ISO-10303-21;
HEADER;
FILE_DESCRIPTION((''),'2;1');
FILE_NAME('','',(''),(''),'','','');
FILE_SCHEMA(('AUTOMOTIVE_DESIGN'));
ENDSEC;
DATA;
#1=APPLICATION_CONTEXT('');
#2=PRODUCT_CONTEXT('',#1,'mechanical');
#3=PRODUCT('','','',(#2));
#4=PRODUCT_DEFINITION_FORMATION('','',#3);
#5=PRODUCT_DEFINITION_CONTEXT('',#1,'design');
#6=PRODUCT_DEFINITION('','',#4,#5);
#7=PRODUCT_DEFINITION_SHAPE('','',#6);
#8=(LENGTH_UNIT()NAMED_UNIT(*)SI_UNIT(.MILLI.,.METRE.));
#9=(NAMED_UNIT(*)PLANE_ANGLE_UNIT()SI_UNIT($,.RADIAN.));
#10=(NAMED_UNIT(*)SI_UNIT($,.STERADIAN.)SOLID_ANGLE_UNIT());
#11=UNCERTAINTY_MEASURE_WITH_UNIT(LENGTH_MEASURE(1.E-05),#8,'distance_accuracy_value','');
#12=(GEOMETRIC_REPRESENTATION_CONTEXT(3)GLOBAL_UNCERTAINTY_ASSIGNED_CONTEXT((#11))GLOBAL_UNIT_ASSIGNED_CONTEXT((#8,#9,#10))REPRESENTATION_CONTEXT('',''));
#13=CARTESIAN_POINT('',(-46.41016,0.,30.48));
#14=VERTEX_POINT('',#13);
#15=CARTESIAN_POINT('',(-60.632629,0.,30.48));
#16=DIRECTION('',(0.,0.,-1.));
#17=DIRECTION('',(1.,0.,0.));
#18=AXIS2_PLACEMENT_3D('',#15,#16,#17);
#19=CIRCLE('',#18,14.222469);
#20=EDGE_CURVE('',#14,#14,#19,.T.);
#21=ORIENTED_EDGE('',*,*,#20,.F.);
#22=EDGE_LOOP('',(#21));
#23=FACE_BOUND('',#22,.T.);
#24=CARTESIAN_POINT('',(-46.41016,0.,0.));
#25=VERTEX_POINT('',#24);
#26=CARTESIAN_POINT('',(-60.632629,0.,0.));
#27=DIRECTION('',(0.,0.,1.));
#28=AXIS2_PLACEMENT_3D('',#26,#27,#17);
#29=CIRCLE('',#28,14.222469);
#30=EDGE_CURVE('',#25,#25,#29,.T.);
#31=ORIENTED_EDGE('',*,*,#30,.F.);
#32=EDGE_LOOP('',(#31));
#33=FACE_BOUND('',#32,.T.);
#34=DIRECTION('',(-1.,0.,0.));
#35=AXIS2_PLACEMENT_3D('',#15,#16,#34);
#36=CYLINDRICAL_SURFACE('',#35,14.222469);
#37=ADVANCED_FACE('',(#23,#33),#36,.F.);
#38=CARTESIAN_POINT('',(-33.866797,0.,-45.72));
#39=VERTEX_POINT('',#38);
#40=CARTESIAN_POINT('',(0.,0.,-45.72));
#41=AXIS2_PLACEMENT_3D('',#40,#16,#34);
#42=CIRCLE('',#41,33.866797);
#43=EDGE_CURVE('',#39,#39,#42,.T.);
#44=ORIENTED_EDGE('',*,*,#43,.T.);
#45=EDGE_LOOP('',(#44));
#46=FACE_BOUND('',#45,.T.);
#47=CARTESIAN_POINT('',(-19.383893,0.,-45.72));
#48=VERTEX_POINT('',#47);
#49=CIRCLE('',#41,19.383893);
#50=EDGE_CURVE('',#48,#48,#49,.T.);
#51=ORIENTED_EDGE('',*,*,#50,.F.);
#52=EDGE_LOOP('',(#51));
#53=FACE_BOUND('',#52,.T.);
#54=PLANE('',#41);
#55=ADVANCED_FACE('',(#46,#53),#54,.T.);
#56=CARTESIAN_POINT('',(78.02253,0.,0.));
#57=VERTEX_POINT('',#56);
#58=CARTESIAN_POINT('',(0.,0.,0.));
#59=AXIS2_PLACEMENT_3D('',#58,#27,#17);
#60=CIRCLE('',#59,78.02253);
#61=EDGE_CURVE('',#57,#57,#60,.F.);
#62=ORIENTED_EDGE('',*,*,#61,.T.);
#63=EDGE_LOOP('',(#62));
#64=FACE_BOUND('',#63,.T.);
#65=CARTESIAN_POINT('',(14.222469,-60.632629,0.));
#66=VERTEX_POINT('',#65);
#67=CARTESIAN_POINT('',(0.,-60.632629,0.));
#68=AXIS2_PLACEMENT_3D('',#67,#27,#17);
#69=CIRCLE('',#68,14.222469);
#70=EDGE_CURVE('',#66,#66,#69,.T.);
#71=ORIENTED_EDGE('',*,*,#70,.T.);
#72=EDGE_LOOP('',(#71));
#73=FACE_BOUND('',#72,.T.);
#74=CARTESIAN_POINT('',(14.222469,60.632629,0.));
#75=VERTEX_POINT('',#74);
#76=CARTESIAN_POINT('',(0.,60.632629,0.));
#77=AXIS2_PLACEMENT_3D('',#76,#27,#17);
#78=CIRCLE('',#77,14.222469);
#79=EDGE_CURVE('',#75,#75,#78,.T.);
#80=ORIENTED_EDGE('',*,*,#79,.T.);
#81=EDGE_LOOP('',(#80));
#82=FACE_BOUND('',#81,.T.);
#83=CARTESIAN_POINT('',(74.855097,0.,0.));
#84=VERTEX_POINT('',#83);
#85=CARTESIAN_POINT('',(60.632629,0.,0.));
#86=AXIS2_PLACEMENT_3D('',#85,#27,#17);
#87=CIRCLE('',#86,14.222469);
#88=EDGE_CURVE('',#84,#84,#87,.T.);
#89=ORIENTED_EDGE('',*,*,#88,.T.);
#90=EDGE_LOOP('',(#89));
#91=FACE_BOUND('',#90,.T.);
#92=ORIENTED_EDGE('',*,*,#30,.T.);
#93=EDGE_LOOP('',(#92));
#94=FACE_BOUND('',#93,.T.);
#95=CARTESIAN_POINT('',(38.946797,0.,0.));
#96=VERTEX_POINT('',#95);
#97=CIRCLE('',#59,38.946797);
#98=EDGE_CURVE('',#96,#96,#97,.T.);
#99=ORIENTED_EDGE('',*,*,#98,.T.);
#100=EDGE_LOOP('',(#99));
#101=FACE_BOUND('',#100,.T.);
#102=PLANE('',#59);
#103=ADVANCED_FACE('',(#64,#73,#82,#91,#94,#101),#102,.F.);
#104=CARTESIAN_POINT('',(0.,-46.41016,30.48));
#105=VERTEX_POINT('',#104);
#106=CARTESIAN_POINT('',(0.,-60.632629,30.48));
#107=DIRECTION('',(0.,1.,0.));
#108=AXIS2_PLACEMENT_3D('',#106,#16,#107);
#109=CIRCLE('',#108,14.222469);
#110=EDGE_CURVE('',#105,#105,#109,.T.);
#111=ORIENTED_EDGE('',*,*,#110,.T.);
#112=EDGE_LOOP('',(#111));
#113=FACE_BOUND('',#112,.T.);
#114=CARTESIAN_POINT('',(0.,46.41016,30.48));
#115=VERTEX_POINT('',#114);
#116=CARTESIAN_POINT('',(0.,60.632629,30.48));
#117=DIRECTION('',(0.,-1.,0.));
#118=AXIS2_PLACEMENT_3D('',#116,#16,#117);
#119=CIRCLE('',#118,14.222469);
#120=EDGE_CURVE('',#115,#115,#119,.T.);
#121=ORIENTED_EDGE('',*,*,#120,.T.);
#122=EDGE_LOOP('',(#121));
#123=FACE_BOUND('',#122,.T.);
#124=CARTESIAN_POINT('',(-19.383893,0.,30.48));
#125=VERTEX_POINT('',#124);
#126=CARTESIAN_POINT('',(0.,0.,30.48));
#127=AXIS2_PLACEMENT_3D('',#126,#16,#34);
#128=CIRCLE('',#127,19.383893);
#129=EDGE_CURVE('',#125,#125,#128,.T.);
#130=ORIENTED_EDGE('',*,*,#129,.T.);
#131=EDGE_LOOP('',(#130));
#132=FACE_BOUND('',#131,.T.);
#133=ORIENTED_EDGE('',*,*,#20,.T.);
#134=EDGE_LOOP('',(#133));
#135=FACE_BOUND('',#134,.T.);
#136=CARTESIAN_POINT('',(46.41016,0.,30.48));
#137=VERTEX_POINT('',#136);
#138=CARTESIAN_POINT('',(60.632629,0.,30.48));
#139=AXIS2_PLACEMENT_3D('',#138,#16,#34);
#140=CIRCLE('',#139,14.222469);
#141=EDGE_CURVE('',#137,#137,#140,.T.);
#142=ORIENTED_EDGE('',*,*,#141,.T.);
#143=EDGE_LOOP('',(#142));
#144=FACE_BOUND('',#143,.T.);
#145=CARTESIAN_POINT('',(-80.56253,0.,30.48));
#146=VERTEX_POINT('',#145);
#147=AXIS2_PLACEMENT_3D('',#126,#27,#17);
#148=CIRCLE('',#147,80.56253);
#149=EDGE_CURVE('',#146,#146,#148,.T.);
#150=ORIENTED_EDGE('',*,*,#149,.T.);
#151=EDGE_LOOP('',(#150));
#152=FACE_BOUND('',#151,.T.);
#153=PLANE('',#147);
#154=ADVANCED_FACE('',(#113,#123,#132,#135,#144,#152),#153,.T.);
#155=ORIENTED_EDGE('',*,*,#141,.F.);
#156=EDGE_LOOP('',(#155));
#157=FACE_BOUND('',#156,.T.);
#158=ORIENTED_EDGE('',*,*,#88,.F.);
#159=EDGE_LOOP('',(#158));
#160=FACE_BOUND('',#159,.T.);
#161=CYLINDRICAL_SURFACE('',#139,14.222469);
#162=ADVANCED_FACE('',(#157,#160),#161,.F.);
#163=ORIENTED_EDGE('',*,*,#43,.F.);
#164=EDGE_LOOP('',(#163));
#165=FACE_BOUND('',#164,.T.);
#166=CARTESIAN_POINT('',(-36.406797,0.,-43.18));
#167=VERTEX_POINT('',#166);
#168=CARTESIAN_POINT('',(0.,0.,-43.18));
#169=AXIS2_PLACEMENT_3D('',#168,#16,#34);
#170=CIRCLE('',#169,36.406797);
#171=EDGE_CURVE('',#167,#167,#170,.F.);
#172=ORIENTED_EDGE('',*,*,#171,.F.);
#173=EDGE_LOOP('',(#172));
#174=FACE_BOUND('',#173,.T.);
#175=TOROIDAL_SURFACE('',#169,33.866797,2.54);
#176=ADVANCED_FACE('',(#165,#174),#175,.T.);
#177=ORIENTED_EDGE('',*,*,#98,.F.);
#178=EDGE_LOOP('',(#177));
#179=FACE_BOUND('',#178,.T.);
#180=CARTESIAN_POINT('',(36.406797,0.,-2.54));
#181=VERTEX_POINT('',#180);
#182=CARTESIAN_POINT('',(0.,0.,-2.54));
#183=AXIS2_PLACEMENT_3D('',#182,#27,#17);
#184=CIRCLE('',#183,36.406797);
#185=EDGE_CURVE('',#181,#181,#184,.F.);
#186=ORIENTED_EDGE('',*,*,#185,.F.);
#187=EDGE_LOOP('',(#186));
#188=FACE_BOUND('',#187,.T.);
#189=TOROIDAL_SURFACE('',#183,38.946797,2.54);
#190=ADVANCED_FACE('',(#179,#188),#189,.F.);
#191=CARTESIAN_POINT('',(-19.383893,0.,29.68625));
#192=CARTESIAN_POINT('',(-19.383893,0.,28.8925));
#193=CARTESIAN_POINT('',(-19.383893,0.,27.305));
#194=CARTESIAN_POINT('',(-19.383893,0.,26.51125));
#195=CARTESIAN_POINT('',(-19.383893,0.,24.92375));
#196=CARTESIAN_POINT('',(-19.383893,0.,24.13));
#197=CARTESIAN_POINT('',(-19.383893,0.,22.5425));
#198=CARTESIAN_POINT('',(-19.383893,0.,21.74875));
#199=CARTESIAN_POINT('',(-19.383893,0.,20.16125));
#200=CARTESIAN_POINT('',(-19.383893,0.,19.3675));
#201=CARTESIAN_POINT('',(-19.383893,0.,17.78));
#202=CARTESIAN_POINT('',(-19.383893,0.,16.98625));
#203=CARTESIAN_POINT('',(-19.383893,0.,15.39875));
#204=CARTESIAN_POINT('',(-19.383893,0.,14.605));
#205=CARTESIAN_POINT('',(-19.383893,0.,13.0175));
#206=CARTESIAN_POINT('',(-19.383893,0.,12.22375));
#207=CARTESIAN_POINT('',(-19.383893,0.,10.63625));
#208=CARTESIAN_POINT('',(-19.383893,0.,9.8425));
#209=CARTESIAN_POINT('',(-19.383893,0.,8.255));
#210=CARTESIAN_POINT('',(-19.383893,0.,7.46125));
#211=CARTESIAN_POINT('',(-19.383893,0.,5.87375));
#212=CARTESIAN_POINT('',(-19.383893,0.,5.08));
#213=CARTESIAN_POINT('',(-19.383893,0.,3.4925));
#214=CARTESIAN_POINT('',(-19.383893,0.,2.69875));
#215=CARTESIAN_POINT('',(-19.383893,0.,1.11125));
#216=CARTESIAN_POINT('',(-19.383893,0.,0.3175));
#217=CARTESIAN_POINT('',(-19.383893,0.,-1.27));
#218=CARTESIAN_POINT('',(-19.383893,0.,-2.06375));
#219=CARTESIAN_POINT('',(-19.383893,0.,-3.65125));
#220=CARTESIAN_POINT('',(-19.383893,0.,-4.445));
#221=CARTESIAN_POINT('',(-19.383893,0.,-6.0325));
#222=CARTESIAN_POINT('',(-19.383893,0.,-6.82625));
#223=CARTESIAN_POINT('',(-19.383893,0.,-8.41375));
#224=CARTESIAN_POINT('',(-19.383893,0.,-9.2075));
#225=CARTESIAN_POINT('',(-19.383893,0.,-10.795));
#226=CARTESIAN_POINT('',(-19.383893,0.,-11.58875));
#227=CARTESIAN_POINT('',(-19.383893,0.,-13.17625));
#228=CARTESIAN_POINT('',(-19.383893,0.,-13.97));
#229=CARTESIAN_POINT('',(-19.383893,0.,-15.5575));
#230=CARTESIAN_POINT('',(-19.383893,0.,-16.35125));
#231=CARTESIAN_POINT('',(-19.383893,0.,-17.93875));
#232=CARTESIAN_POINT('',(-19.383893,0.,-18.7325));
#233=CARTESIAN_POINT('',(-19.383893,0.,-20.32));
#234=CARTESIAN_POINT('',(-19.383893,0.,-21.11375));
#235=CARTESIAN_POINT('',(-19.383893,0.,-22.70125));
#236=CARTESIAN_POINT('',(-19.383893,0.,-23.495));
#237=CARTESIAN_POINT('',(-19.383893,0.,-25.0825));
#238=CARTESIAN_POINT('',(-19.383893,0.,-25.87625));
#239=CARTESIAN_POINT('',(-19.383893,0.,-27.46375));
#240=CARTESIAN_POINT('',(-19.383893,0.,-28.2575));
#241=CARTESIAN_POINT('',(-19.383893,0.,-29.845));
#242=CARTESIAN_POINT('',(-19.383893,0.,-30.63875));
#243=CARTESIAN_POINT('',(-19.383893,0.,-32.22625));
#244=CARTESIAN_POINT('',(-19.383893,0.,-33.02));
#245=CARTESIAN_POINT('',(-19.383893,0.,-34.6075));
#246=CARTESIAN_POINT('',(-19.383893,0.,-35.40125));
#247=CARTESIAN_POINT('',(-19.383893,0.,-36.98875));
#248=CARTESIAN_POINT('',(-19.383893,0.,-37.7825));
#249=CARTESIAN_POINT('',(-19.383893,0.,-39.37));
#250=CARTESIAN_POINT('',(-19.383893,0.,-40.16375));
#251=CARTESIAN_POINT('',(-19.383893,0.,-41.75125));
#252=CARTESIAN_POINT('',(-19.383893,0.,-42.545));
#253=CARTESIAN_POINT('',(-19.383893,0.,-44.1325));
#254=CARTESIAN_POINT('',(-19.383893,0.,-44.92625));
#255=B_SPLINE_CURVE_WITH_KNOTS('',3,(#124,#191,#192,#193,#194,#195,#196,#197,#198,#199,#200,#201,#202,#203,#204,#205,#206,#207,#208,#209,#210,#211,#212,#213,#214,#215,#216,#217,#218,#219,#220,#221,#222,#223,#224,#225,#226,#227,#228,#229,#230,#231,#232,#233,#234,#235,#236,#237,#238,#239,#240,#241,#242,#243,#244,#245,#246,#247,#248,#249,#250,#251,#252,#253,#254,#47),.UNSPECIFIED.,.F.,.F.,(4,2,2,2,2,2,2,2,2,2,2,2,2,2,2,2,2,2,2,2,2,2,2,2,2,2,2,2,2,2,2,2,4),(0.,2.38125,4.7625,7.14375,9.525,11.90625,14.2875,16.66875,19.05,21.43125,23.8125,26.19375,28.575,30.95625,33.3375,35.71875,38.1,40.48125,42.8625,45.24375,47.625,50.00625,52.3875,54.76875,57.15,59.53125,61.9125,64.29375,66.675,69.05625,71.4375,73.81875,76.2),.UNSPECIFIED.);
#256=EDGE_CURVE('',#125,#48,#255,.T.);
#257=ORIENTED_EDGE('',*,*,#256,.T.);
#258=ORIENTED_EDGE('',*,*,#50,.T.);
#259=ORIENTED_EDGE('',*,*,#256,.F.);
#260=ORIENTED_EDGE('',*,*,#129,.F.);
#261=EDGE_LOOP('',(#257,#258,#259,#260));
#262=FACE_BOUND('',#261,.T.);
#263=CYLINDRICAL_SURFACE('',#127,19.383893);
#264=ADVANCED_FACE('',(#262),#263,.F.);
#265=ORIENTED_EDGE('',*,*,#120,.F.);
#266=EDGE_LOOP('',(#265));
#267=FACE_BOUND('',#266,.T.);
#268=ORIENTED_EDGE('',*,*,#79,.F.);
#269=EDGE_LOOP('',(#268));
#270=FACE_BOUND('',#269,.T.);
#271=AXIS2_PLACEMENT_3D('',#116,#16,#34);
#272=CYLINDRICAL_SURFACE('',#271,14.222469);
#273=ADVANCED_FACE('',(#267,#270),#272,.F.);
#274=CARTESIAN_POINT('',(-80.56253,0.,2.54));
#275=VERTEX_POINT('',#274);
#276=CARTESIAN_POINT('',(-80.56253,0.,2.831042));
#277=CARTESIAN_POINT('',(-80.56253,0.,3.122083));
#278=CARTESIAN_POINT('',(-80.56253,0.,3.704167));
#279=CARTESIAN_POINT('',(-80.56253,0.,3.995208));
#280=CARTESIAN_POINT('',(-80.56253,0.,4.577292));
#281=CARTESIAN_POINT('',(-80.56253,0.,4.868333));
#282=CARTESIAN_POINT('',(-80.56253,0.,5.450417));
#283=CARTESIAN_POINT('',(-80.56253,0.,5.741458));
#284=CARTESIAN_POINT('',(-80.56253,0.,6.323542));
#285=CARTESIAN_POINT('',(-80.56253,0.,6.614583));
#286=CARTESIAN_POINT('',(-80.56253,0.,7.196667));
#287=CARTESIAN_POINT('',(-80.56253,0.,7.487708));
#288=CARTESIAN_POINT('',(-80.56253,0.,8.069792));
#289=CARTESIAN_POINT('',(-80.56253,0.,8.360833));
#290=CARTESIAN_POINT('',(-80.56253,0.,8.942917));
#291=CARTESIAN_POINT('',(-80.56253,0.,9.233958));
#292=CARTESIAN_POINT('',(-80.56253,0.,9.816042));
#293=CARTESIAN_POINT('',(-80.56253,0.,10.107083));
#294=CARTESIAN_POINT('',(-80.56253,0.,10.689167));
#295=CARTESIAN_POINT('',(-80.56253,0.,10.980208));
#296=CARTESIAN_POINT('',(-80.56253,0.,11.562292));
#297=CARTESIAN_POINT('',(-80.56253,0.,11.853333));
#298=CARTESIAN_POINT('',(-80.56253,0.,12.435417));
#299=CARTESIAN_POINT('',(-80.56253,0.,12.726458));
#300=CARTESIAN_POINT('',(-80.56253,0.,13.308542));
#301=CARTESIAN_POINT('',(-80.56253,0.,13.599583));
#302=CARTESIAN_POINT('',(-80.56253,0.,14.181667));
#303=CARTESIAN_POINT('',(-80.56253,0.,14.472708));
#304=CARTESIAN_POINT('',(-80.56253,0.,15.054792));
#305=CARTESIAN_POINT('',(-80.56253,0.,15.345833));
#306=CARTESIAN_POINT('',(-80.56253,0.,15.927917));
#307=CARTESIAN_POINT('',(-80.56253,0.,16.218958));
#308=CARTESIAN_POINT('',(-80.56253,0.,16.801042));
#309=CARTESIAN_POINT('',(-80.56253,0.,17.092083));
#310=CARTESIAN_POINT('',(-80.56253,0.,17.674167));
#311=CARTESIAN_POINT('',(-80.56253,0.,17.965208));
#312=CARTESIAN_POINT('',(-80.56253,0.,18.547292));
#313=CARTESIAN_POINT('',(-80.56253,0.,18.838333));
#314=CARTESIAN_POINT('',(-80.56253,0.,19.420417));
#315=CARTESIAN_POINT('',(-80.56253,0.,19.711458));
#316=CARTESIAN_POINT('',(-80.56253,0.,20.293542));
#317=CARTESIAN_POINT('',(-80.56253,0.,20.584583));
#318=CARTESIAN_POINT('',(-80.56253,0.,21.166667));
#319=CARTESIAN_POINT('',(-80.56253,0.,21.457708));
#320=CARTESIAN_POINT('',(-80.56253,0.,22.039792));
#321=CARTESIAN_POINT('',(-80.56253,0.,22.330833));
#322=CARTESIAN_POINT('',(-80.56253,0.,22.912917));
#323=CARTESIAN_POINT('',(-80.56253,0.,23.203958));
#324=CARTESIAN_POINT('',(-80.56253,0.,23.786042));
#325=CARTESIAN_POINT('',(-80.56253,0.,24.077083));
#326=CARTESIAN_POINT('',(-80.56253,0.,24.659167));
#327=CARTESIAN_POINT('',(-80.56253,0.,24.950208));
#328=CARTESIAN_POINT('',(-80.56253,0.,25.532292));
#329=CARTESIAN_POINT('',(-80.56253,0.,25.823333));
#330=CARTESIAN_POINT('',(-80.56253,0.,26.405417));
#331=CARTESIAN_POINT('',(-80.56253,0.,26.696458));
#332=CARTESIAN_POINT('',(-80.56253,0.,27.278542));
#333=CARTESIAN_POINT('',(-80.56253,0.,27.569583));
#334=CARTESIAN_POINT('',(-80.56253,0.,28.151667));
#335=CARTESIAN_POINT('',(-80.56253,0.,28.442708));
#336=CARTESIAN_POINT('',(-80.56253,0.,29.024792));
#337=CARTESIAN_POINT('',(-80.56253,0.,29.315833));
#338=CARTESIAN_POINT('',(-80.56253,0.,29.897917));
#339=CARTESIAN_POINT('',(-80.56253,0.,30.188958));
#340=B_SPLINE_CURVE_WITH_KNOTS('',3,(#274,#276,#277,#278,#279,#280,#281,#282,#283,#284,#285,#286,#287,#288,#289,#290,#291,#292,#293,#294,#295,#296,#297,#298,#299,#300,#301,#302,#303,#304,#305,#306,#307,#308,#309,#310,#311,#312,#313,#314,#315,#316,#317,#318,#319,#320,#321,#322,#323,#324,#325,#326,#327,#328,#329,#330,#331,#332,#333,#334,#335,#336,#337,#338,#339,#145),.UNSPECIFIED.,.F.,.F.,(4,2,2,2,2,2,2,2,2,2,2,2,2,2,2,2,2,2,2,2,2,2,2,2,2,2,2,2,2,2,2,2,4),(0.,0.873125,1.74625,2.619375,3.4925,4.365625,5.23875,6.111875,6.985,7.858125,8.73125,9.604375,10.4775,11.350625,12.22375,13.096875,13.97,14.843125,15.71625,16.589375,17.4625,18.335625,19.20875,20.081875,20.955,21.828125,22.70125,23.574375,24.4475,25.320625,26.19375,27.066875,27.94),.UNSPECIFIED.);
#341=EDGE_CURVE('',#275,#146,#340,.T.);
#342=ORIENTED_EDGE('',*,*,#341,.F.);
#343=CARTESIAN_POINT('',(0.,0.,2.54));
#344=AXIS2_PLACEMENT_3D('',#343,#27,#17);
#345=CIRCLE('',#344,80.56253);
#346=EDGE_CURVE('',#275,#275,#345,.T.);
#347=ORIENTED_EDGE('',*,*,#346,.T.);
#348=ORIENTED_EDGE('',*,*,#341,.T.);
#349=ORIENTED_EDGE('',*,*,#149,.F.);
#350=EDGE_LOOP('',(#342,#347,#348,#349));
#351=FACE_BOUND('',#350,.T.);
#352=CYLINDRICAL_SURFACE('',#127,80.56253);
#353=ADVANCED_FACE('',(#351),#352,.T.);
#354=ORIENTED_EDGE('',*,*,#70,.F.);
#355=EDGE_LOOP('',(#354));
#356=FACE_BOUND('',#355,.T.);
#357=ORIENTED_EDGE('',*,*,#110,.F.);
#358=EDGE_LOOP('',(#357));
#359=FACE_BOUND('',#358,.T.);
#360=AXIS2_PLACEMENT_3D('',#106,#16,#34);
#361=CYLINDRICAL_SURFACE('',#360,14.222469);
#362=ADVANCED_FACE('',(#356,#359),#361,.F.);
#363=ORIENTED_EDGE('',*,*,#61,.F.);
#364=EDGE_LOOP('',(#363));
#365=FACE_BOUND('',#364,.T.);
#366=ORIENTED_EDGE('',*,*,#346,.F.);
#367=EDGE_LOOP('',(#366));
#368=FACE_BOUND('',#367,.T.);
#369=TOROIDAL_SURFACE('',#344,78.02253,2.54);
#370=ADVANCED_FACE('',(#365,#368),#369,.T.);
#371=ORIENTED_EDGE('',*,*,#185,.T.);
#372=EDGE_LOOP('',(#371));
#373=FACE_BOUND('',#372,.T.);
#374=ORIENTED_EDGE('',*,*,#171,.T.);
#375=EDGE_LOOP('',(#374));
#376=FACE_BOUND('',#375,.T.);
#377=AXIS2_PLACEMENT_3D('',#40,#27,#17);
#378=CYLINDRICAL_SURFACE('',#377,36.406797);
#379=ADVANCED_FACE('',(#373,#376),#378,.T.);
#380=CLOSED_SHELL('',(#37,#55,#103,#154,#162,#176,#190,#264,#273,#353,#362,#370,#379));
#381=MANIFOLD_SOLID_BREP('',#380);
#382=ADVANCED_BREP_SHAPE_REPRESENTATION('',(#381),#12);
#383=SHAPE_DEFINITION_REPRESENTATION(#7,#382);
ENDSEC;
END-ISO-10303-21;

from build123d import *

# Parameters (mm, degrees)
SKETCH1_R           = 80.562529646
BOSS_EXTRUDE1_DEPTH = 30.48
SKETCH3_R           = 36.406797413
BOSS_EXTRUDE2_DEPTH = 45.72
SKETCH4_R           = 19.383893348
CUT_EXTRUDE1_DEPTH  = 138.065978148
SKETCH5_R           = 14.222468522
CUT_EXTRUDE2_DEPTH  = 122.840694211
CIRPATTERN2_COUNT   = 4
FILLET1_R           = 2.54
FILLET2_R           = 2.54


with BuildPart() as part:
    # Sketch1 → Boss-Extrude1 (new body)
    with BuildSketch(Plane.XY):
        with Locations(Location((0, 0, 0), (0, 0, 180))):
            Circle(SKETCH1_R)
    extrude(amount=BOSS_EXTRUDE1_DEPTH)

    # Sketch3 → Boss-Extrude2 (add)
    with BuildSketch(Plane(origin=(0, 0, 0), x_dir=(-1, 0, 0), z_dir=(0, 0, -1))):
        with Locations(Location((0, 0, 0), (0, 0, 180))):
            Circle(SKETCH3_R)
    extrude(amount=BOSS_EXTRUDE2_DEPTH)

    # Sketch4 → Cut-Extrude1 (cut, through all)
    with BuildSketch(Plane(origin=(0, 0, -45.72), x_dir=(-1, 0, 0), z_dir=(0, 0, -1))):
        Circle(SKETCH4_R)
    extrude(amount=-CUT_EXTRUDE1_DEPTH, mode=Mode.SUBTRACT)

    # Sketch5 → Cut-Extrude2 (cut, through all)
    with BuildSketch(Plane(origin=(0, 0, -2.54), x_dir=(-1, 0, 0), z_dir=(0, 0, -1))):
        with Locations((-60.632628963, 0)):
            Circle(SKETCH5_R)
    cut_extrude2 = extrude(amount=-CUT_EXTRUDE2_DEPTH, mode=Mode.SUBTRACT)

    # CirPattern2: Cut-Extrude2 ×4 about axis
    cirpattern2_axis = Axis((0, 0, 0), (0, 0, 1))
    for i in range(1, CIRPATTERN2_COUNT):
        add(cut_extrude2.rotate(cirpattern2_axis, i * 360 / CIRPATTERN2_COUNT), mode=Mode.SUBTRACT)

    # Fillet1
    fillet1_edges = [part.edges().sort_by_distance(p)[0] for p in [
        (-36.406797413, 0, 0),
        (-36.406797413, 0, -45.72),
    ]]
    fillet(fillet1_edges, radius=FILLET1_R)

    # Fillet2
    fillet2_edges = [part.edges().sort_by_distance(p)[0] for p in [
        (80.562529646, 0, 0),
    ]]
    fillet(fillet2_edges, radius=FILLET2_R)


solid = part.part
